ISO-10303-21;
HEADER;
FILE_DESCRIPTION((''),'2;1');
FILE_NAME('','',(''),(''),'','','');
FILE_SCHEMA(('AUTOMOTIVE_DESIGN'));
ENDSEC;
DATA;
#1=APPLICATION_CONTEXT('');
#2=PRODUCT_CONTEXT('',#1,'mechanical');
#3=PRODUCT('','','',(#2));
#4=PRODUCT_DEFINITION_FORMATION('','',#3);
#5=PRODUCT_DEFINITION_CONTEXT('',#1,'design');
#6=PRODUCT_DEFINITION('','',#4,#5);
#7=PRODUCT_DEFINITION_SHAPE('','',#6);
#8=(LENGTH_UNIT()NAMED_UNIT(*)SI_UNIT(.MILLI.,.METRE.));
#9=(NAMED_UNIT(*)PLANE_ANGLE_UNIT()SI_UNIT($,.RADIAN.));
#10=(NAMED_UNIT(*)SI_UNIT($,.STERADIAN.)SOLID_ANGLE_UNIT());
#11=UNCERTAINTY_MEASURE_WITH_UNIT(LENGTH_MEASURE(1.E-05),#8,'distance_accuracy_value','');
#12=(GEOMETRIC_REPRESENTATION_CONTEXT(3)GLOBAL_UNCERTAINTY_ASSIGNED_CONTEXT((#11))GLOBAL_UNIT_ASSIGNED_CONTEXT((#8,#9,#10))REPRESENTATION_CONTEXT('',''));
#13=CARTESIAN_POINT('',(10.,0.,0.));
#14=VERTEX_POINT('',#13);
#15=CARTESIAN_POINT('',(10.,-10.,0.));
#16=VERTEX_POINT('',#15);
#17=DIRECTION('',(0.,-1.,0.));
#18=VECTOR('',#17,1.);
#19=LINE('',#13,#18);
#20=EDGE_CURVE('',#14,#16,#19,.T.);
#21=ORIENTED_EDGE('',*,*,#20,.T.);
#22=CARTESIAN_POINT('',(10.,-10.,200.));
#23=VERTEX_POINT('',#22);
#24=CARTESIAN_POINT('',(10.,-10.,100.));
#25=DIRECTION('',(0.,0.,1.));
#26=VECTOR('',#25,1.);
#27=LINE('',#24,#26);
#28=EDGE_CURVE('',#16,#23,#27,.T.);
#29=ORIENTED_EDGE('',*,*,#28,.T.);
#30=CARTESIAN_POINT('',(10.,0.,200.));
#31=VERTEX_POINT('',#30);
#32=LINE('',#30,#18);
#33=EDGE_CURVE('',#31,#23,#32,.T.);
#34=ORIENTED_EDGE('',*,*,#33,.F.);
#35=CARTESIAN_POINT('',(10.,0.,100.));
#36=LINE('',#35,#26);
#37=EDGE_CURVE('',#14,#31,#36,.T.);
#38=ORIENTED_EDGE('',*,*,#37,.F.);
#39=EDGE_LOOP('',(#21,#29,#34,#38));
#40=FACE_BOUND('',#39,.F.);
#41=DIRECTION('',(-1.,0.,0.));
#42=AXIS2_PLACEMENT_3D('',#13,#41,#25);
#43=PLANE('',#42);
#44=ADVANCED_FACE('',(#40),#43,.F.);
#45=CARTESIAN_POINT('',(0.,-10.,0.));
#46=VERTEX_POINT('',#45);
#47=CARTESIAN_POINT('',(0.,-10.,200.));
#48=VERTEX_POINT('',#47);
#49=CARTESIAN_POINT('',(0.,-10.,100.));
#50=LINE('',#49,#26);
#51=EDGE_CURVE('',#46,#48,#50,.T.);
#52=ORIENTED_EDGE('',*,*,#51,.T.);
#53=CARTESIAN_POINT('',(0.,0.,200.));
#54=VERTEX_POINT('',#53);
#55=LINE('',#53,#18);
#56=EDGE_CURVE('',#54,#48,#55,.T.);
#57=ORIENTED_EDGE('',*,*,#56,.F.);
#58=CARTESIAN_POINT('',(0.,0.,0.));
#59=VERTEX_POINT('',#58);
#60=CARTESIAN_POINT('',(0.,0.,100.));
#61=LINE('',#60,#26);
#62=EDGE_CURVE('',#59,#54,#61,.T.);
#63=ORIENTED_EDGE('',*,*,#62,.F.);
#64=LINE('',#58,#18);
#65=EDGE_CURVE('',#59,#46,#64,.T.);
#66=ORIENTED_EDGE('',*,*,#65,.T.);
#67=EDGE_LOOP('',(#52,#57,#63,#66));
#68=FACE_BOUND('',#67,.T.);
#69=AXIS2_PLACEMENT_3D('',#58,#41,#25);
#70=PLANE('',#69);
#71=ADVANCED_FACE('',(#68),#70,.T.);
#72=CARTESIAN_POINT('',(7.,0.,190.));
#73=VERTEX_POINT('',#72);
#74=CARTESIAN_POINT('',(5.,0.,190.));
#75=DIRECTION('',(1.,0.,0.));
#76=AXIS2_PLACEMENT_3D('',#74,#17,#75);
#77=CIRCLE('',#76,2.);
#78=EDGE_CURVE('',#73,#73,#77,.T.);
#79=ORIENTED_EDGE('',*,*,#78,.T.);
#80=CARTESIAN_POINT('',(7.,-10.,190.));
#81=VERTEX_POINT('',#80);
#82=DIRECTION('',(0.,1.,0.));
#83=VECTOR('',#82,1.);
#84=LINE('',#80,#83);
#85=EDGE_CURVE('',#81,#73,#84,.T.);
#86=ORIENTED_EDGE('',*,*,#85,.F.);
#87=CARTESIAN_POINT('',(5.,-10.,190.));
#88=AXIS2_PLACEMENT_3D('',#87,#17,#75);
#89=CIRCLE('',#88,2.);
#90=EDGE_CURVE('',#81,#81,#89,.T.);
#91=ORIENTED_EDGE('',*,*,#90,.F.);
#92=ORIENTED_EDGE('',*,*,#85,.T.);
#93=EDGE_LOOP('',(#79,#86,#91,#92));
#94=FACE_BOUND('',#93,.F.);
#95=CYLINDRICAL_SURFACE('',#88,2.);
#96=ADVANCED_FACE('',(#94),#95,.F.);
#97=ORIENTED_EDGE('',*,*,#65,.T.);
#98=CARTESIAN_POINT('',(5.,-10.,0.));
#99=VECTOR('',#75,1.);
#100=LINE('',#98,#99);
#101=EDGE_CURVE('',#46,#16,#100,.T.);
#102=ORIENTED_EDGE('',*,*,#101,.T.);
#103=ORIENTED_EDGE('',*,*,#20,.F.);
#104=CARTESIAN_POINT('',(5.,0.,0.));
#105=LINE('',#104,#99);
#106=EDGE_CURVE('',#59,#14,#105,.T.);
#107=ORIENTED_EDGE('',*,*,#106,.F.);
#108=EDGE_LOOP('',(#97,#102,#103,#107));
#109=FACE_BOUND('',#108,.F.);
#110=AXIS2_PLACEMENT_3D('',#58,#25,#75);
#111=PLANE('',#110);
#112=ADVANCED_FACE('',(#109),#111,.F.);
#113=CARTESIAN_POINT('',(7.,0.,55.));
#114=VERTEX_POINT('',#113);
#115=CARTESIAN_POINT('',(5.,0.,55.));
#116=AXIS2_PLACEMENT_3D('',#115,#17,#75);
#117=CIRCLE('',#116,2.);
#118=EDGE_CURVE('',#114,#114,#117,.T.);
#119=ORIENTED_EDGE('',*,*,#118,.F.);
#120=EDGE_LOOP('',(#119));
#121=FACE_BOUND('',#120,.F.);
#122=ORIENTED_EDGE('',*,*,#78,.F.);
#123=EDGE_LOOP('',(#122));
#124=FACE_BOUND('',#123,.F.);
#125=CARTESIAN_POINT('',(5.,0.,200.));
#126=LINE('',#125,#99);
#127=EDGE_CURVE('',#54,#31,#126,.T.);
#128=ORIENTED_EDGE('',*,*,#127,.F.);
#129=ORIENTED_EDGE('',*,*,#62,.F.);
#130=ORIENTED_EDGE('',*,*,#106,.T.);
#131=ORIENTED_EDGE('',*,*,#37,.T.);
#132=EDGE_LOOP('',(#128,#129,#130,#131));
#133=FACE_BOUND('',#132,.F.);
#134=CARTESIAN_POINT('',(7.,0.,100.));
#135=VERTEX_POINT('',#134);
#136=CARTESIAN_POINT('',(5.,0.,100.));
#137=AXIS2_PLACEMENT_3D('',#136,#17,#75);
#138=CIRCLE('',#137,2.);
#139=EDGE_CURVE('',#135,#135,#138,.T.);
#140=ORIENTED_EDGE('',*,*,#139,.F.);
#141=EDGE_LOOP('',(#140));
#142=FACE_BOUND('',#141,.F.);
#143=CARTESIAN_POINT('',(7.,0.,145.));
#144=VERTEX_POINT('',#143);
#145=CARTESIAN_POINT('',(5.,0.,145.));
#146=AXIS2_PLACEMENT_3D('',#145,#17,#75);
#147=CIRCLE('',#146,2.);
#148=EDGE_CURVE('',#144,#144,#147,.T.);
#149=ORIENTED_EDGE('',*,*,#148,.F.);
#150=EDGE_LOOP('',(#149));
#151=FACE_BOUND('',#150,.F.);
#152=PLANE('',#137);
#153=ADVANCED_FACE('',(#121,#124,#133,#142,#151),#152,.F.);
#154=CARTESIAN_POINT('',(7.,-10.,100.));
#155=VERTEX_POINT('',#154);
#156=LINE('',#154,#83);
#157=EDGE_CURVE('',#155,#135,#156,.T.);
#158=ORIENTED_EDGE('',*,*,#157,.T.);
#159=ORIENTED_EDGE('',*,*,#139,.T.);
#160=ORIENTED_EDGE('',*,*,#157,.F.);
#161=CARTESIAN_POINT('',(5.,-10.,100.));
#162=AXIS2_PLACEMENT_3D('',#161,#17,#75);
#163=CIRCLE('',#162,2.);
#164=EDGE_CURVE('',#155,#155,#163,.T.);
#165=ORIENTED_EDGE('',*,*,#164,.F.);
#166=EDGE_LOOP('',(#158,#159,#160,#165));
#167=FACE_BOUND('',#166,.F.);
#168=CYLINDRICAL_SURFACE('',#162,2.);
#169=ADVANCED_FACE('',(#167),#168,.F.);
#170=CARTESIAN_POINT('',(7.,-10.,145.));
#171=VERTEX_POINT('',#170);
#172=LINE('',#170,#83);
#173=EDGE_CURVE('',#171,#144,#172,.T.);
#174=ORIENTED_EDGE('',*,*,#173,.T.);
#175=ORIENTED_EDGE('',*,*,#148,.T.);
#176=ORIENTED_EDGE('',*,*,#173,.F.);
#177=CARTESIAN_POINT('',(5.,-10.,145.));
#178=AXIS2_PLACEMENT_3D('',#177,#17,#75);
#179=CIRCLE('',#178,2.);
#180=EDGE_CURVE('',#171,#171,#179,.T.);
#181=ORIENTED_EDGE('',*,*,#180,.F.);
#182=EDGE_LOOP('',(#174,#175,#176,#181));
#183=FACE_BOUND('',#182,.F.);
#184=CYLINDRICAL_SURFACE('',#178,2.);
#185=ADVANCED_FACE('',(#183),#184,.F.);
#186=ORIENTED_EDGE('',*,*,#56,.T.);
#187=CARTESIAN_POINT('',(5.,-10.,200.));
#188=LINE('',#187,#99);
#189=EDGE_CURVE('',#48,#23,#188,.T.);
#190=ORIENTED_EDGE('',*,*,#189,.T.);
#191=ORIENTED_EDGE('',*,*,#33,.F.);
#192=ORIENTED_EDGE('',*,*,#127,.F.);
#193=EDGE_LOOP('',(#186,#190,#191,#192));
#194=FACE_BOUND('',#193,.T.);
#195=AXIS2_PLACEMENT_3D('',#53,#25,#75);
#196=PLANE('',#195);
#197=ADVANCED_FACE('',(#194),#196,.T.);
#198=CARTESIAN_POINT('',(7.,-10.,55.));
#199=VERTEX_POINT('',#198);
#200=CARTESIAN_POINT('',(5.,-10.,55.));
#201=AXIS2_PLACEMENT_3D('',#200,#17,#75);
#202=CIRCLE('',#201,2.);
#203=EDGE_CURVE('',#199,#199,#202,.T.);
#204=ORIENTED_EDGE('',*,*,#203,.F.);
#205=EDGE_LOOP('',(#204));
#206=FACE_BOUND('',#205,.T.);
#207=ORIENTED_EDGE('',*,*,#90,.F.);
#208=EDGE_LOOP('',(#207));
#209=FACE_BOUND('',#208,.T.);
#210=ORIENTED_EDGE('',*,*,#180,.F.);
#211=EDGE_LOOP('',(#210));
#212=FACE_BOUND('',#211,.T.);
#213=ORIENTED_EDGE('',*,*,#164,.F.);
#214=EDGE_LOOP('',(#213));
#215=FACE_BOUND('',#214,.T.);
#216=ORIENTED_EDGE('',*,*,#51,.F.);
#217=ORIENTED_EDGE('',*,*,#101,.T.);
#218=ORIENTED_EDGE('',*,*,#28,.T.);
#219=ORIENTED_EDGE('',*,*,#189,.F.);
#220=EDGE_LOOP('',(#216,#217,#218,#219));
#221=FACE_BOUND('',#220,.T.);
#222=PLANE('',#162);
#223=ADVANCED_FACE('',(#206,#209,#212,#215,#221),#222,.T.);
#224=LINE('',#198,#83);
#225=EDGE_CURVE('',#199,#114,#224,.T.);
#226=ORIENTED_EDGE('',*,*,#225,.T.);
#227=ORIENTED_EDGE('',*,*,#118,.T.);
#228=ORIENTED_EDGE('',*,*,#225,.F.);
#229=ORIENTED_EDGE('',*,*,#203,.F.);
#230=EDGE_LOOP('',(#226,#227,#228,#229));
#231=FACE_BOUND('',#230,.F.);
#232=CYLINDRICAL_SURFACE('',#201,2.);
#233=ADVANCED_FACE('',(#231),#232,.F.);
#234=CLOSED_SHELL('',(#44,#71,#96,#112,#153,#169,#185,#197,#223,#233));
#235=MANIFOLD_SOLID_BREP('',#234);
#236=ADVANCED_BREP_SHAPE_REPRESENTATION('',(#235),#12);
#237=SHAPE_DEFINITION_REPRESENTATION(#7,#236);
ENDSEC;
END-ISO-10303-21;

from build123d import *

# Parameters (mm, degrees)
F0_W     = 10
F0_H     = 200
F1_DEPTH = 10
F2_R     = 2
F3_DEPTH = 10.001


with BuildPart() as f1:
    # F0 (on Front) → F1 (new body)
    with BuildSketch(Plane.XZ):
        with Locations((5, 100)):
            Rectangle(F0_W, F0_H)
    extrude(amount=F1_DEPTH)

    # F2 (on face) → F3 (cut, through all)
    with BuildSketch(Plane.XZ.offset(10)):
        with Locations((5, 190)):
            Circle(F2_R)
        with Locations((5, 145)):
            Circle(F2_R)
        with Locations((5, 100)):
            Circle(F2_R)
        with Locations((5, 55)):
            Circle(F2_R)
    extrude(amount=-F3_DEPTH, mode=Mode.SUBTRACT)


solid = f1.part
